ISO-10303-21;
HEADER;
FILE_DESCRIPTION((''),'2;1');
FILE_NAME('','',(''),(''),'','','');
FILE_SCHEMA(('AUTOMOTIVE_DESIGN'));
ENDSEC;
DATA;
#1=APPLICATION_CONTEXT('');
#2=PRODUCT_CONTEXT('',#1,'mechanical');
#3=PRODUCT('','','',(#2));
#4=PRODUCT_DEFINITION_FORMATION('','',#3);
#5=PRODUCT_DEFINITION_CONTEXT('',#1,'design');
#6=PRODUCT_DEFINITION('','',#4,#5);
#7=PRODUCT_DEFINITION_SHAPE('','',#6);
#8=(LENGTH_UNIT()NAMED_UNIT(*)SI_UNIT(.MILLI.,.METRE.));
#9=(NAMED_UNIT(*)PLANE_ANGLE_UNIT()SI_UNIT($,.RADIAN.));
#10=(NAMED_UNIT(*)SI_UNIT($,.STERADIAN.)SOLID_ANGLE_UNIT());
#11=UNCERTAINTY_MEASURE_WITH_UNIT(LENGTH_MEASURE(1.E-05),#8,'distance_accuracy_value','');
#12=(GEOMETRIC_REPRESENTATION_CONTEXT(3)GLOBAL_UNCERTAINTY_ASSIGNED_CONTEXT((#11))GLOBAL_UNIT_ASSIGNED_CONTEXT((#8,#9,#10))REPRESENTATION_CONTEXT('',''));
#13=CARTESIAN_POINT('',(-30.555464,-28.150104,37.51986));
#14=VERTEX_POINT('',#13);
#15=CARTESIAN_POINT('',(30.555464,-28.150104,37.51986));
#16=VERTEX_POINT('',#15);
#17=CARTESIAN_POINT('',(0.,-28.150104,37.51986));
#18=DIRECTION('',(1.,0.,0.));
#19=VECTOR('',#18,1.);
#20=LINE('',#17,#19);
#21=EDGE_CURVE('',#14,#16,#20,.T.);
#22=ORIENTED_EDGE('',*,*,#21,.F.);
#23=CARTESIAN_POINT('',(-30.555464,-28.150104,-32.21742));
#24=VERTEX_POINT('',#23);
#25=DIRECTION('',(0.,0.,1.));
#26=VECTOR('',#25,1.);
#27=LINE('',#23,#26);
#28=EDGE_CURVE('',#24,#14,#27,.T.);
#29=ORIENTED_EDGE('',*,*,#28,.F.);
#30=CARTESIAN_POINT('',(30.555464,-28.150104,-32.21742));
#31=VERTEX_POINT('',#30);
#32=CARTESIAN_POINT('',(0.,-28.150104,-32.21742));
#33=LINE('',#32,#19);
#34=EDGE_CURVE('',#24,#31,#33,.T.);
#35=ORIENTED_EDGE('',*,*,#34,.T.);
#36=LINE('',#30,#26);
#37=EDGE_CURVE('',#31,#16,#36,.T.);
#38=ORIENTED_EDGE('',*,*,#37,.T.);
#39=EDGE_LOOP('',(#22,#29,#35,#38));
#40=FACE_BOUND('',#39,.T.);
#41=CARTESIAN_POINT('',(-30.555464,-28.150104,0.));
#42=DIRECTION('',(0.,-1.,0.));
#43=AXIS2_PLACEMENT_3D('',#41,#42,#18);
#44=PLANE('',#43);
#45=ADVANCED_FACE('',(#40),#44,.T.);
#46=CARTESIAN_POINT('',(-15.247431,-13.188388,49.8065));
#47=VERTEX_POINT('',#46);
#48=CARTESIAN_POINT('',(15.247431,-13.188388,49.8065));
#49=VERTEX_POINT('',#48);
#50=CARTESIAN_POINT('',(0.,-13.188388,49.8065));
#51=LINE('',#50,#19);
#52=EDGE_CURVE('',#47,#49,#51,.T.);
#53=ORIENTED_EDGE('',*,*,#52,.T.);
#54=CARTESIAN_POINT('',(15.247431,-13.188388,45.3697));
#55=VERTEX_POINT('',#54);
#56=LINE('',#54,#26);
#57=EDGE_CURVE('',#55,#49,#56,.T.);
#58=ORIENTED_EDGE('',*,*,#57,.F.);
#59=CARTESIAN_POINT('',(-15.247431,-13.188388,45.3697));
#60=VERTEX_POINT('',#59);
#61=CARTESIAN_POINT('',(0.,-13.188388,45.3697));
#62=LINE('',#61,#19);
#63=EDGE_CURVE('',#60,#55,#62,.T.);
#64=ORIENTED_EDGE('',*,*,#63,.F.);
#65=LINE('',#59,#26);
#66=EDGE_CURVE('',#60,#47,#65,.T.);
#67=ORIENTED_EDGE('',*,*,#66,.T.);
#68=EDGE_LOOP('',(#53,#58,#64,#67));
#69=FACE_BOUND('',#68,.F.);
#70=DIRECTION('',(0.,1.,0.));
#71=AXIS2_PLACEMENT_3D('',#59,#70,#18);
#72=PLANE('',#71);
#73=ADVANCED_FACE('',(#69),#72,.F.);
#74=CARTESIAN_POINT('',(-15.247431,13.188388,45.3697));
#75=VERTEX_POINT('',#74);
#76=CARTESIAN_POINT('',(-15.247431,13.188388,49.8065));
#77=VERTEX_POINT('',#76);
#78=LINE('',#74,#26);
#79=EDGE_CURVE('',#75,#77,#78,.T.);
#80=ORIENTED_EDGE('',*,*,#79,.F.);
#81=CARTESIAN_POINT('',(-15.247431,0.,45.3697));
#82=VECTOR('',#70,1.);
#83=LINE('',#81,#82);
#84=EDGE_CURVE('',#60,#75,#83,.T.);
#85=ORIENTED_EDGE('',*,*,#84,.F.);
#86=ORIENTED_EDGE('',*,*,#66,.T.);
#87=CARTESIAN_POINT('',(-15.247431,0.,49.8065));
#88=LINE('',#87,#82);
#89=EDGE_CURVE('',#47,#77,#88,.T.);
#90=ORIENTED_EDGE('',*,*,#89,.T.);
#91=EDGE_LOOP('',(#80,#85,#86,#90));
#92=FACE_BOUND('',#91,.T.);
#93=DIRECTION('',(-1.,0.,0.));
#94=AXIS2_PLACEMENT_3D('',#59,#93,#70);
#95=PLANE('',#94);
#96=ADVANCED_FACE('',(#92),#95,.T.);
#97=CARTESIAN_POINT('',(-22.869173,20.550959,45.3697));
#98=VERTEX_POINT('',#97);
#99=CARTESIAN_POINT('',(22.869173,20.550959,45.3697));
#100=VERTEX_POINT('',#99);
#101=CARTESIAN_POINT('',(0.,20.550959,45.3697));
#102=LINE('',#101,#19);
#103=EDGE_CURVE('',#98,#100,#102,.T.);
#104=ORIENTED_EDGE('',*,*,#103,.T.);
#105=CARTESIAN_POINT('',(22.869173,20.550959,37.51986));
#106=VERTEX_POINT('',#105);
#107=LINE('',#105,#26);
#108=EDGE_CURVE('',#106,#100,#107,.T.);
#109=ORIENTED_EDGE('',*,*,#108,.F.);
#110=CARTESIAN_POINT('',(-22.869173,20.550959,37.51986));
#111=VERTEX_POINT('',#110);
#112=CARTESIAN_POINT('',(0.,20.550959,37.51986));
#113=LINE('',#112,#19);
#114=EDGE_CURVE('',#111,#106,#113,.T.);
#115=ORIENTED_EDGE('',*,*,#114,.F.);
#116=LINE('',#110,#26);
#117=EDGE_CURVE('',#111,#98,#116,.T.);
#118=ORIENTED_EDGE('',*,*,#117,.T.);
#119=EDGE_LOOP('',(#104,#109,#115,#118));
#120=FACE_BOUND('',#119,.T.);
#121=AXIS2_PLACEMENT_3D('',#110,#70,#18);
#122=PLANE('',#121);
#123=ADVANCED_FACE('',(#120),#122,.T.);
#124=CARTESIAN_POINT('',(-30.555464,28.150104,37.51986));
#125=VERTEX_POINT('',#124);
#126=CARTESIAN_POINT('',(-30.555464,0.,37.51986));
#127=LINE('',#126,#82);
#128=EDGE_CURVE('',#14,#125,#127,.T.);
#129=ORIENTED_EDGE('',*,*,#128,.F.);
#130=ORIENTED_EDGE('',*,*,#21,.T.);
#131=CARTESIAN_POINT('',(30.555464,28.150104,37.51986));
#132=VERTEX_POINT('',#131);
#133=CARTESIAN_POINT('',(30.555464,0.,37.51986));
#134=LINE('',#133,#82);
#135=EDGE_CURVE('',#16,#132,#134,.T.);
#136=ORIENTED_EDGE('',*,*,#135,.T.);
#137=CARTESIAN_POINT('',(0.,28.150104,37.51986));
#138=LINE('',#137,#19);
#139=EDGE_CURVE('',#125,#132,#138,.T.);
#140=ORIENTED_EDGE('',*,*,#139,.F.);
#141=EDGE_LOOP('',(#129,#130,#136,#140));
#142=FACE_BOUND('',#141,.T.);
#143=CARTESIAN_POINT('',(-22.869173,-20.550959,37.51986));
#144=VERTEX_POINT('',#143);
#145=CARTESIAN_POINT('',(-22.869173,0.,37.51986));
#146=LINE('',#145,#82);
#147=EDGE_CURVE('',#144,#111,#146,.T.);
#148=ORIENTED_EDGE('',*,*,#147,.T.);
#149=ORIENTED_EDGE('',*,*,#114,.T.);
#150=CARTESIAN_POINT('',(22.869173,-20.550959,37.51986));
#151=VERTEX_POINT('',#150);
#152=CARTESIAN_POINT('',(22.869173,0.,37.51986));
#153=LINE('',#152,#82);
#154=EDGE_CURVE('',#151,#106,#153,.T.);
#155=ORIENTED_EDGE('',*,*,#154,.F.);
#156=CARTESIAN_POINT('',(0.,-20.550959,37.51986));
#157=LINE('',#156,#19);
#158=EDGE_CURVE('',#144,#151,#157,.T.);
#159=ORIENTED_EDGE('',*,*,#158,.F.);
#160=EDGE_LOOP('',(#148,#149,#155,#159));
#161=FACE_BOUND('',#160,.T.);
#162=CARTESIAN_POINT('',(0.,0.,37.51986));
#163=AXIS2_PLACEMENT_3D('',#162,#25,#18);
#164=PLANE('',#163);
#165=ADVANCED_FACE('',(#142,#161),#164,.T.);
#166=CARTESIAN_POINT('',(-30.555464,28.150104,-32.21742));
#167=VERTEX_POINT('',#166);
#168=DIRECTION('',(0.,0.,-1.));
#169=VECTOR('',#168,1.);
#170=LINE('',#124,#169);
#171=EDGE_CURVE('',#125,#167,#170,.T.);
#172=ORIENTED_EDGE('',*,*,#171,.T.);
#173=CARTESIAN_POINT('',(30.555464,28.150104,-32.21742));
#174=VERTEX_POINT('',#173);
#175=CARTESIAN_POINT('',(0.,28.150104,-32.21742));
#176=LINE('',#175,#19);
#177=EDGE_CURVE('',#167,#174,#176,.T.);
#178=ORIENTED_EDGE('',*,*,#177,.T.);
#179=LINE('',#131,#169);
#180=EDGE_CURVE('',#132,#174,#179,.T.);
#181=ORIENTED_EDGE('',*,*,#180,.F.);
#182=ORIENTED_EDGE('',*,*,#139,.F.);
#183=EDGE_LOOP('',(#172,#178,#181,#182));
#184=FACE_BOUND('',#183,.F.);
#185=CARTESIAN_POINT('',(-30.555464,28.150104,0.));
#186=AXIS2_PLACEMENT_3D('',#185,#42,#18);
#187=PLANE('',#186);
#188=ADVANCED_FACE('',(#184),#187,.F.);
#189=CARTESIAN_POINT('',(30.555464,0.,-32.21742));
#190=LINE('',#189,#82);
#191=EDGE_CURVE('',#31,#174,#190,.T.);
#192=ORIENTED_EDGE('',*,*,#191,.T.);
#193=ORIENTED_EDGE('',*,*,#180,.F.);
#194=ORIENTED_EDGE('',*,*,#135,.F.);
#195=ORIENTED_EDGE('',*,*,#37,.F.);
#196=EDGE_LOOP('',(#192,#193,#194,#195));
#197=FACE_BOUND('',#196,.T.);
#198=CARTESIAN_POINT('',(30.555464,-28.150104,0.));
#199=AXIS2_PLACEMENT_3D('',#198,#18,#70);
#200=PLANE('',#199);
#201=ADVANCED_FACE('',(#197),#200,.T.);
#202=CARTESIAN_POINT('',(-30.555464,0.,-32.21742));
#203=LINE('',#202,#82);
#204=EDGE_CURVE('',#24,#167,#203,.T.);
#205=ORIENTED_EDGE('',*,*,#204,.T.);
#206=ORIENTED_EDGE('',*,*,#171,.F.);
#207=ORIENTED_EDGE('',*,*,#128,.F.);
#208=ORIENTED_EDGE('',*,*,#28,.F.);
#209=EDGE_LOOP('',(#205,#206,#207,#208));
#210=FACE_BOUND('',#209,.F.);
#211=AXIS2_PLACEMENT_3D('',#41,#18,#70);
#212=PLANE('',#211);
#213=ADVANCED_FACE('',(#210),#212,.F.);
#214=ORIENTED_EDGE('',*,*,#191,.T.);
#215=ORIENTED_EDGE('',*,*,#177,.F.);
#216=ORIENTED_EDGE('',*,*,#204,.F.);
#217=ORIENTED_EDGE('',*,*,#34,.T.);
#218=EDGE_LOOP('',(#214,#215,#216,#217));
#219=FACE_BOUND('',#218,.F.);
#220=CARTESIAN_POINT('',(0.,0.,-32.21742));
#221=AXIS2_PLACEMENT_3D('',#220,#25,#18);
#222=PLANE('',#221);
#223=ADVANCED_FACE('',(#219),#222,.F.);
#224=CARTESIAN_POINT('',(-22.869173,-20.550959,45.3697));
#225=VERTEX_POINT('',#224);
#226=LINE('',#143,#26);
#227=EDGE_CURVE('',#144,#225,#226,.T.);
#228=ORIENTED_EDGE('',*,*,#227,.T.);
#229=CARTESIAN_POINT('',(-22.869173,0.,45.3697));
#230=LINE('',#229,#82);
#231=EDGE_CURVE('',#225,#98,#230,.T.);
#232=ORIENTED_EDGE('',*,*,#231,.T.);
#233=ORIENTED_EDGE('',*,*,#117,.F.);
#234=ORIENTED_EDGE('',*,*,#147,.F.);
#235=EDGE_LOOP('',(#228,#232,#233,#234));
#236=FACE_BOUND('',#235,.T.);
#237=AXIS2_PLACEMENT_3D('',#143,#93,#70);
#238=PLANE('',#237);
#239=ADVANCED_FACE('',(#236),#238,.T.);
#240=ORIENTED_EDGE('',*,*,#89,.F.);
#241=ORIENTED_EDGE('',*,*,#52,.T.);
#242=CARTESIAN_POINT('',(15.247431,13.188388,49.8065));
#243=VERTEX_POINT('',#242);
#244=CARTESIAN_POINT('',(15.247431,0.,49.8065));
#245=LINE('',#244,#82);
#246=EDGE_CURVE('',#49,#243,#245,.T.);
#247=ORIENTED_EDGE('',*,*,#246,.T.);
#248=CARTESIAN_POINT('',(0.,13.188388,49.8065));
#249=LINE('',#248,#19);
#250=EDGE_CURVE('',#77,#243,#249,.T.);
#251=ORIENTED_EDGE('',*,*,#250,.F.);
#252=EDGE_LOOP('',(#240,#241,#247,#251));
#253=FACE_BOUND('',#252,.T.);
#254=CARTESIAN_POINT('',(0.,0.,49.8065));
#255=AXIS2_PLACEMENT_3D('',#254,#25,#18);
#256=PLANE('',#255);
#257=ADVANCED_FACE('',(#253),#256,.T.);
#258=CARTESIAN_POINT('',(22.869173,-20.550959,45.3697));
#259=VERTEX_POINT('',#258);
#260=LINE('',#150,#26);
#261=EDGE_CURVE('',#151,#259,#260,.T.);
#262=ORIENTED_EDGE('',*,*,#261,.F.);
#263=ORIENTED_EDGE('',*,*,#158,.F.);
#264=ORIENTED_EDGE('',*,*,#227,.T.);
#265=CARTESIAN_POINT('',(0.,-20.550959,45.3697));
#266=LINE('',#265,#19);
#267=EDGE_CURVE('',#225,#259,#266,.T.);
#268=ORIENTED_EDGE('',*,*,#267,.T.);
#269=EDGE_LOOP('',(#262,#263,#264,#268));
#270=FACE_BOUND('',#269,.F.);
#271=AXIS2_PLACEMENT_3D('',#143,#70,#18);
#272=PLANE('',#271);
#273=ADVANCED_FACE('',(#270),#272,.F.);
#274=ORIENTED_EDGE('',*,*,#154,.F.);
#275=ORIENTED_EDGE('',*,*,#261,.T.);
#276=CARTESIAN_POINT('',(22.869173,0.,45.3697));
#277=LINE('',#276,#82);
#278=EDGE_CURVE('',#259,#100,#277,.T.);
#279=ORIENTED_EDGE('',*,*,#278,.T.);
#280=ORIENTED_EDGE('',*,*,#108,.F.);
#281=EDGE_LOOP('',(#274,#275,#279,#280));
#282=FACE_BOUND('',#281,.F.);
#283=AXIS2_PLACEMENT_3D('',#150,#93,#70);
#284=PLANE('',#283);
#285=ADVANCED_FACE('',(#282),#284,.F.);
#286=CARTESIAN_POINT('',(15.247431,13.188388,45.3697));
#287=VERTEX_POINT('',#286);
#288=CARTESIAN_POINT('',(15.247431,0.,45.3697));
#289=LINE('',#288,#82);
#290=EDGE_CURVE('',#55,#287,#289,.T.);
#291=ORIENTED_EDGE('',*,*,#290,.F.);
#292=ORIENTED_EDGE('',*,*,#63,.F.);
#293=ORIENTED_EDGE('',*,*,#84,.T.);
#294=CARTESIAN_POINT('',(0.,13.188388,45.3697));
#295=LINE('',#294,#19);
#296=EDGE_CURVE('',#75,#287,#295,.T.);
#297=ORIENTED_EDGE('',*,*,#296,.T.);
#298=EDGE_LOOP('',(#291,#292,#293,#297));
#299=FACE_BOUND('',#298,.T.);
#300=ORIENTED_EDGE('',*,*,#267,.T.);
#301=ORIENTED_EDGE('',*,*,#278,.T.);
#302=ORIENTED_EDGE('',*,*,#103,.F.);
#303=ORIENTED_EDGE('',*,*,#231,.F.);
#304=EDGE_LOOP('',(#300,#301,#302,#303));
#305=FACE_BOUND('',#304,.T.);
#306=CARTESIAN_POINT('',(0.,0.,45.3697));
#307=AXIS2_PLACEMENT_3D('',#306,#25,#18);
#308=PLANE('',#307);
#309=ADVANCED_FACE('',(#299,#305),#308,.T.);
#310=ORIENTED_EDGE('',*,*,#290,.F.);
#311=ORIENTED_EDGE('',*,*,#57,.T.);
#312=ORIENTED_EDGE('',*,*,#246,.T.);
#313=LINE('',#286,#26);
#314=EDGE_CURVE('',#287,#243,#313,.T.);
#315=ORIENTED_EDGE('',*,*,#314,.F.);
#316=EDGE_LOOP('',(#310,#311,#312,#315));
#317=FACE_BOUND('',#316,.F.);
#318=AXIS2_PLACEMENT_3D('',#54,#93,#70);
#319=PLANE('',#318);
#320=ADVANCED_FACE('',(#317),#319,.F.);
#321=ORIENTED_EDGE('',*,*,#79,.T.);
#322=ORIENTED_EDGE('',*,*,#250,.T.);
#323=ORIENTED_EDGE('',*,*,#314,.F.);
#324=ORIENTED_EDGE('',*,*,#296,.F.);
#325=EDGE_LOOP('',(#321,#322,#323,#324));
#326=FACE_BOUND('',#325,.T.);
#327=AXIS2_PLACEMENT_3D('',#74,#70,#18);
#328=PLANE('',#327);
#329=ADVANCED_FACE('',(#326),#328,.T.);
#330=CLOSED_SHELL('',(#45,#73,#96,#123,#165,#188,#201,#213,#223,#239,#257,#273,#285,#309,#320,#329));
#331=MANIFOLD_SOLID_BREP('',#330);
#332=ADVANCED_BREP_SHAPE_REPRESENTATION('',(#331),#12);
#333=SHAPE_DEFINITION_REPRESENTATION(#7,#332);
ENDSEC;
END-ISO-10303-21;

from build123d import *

# Parameters (mm, degrees)
F0_W          = 61.110928
F0_H          = 56.300208
F1_DEPTH      = 37.51986
F1_DEPTH_BACK = 32.21742
F2_W          = 45.738346
F2_H          = 41.101918
F3_DEPTH      = 7.84984
F4_W          = 30.494862
F4_H          = 26.376776
F5_DEPTH      = 4.4368


with BuildPart() as f1:
    # F0 (on Top) → F1 (new body, two sides)
    with BuildSketch(Plane.XY) as f1_sk:
        Rectangle(F0_W, F0_H)
    extrude(amount=F1_DEPTH)
    extrude(f1_sk.sketch, amount=-F1_DEPTH_BACK)

    # F2 (on face) → F3 (join)
    with BuildSketch(Plane.XY.offset(37.51986)):
        Rectangle(F2_W, F2_H)
    extrude(amount=F3_DEPTH)

    # F4 (on face) → F5 (join)
    with BuildSketch(Plane.XY.offset(45.3697)):
        Rectangle(F4_W, F4_H)
    extrude(amount=F5_DEPTH)


solid = f1.part
